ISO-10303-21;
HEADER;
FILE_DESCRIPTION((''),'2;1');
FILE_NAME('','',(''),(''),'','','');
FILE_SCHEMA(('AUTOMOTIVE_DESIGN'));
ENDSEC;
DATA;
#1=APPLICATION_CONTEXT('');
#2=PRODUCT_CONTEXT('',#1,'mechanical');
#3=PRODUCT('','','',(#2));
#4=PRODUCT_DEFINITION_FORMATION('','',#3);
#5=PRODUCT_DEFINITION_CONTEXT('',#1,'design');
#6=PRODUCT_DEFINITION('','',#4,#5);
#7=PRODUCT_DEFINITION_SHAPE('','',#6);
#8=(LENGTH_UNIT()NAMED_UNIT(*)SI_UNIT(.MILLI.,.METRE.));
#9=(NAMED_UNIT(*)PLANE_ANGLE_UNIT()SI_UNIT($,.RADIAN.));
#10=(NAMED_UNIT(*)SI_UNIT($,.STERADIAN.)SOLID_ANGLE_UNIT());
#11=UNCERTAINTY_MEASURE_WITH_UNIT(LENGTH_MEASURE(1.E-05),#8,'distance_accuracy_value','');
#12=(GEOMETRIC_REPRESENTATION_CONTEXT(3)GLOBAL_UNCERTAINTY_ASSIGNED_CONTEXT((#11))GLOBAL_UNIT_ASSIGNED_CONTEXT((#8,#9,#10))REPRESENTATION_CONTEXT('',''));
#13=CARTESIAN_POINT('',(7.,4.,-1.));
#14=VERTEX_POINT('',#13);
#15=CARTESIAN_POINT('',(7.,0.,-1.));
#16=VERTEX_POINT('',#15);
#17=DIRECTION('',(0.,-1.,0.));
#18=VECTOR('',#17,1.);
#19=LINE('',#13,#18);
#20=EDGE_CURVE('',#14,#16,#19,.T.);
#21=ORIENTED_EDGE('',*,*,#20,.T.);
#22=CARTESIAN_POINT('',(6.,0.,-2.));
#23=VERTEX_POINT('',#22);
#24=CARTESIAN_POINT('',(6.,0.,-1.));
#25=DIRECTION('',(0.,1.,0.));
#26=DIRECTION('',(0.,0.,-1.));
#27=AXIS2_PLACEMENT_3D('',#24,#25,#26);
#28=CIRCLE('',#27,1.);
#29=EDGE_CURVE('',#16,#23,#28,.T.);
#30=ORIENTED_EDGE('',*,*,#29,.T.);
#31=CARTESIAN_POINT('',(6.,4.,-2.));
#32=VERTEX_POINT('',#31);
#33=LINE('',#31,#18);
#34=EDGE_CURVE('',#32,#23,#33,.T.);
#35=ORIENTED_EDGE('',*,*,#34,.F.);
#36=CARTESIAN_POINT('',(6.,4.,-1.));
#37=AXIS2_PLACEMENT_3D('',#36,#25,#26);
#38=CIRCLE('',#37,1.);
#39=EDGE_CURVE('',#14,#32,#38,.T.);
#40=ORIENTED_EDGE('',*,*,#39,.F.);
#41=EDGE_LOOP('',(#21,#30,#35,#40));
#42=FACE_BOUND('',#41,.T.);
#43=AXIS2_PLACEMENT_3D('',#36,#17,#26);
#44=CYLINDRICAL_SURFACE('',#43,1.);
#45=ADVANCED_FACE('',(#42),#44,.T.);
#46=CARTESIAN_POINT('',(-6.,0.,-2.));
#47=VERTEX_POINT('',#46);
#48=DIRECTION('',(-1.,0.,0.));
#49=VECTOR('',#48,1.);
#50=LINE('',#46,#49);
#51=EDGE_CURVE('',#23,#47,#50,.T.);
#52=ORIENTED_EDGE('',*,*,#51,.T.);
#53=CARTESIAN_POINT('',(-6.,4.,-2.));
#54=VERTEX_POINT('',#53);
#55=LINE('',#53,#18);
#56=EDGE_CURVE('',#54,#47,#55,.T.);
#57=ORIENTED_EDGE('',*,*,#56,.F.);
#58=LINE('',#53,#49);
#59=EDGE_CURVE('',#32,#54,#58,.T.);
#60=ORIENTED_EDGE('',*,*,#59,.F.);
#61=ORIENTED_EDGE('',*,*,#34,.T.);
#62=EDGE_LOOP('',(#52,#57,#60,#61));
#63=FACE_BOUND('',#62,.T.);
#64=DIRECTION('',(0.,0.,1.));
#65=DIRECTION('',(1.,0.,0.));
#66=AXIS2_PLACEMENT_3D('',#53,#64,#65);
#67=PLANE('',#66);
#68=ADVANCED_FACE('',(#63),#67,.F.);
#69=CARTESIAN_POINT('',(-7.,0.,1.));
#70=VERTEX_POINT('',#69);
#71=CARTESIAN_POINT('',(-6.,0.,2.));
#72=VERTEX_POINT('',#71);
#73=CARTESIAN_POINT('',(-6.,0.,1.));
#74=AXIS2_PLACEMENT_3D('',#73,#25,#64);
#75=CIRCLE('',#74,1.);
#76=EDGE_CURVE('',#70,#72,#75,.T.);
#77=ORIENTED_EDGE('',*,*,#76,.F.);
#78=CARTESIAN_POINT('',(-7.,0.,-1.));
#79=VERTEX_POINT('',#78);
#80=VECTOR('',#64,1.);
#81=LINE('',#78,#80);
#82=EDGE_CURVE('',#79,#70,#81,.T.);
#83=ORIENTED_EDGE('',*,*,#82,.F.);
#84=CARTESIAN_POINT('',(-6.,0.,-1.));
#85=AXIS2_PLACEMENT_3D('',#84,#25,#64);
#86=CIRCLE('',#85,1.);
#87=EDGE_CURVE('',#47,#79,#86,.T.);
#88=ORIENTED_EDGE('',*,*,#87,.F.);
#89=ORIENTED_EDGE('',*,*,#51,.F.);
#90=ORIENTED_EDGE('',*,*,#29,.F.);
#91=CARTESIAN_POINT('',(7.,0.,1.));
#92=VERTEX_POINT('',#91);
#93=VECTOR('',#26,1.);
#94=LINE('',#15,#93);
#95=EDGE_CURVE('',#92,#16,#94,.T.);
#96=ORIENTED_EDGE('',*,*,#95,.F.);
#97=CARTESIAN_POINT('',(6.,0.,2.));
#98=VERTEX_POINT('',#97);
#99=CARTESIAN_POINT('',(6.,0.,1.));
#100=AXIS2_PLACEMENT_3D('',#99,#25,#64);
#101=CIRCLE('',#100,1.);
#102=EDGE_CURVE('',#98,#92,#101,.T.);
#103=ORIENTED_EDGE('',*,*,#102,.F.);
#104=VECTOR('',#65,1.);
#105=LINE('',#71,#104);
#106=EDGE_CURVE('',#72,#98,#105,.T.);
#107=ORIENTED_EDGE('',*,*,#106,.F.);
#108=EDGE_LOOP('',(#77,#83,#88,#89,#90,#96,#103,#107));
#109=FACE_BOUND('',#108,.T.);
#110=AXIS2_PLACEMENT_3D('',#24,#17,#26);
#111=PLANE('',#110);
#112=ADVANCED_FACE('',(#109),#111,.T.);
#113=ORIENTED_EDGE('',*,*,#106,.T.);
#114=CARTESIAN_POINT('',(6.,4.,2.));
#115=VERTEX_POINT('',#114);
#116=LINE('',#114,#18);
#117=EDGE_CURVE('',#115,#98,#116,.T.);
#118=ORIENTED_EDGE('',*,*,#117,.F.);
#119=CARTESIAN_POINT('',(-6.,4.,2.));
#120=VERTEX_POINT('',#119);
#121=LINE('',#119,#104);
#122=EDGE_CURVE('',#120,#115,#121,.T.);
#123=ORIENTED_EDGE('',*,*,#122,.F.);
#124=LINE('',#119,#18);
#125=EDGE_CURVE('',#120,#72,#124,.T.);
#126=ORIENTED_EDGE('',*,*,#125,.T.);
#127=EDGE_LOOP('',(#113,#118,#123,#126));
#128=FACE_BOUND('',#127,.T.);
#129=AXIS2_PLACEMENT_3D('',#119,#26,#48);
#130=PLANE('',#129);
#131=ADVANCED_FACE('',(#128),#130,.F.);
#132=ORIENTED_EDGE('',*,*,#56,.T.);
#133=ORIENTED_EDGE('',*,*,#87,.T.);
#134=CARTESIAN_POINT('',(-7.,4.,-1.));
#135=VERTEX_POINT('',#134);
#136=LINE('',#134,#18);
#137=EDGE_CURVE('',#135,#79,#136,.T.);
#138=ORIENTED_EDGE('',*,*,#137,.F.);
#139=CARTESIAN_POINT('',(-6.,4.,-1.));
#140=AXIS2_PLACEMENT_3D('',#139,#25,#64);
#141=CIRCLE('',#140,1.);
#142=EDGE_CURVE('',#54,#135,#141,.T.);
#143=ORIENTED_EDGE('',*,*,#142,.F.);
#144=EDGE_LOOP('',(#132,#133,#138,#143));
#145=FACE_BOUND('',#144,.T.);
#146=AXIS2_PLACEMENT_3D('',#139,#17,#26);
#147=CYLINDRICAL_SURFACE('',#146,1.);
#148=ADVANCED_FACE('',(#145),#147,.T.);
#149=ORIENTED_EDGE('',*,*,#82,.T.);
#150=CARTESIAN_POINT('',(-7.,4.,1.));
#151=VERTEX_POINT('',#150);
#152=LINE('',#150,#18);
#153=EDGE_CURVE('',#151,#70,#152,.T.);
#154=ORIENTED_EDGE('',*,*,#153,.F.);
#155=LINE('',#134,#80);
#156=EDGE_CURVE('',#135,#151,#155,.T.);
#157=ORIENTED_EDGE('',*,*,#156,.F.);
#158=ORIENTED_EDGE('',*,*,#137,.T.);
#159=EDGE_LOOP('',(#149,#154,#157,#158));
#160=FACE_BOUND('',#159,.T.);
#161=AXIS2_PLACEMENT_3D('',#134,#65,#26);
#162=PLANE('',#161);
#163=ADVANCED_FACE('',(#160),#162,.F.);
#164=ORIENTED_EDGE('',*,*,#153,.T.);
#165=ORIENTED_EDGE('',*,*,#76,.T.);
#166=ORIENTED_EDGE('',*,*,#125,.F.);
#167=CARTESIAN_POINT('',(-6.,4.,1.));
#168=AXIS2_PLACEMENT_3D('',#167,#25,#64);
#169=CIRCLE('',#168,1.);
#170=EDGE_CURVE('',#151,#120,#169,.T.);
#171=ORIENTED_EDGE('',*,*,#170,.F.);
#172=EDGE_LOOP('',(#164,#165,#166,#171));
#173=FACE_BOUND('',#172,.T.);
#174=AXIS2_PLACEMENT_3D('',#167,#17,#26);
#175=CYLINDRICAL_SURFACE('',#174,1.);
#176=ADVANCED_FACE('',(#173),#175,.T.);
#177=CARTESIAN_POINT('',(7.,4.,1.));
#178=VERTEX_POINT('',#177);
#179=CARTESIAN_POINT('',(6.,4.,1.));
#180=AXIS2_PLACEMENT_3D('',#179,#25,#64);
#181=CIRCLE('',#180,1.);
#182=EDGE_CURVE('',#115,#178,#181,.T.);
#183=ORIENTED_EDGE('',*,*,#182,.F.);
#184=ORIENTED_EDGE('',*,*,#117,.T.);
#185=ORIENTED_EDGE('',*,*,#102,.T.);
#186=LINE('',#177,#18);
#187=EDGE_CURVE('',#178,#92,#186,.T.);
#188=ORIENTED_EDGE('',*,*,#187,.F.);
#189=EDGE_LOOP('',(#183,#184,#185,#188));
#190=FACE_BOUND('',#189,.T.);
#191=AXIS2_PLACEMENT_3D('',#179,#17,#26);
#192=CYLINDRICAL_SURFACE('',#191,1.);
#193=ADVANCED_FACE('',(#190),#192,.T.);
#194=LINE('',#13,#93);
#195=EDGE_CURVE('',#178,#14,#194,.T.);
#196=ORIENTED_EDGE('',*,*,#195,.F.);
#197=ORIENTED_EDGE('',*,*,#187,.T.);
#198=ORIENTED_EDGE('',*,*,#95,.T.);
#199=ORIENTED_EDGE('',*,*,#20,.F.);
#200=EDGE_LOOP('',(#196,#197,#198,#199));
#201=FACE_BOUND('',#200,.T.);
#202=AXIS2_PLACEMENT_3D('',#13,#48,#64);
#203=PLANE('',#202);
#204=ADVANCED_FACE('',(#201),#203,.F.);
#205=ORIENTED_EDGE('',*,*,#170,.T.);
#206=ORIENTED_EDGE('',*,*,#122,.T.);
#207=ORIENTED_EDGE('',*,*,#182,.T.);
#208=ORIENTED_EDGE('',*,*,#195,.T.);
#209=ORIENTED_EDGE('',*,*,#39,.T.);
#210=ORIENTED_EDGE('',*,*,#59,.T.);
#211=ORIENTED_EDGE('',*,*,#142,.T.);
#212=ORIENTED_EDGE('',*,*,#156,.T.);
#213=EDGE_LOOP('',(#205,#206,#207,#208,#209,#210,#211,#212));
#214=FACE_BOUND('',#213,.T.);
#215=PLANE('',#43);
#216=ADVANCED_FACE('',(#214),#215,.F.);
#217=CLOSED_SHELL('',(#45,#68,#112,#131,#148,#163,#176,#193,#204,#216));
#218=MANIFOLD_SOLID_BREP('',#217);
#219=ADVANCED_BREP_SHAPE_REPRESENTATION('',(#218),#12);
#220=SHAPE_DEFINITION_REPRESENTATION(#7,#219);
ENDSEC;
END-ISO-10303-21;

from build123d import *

# Parameters (mm, degrees)
BOSS_EXTRUDE1_DEPTH = 4


with BuildPart() as part:
    # Sketch1 → Boss-Extrude1 (new body)
    with BuildSketch(Plane(origin=(0, 0, 0), x_dir=(1, 0, 0), z_dir=(0, 1, 0))):
        with BuildLine():
            Line((-6, 2), (6, 2))
            ThreePointArc((6, 2), (6.707106781, 1.707106781), (7, 1))
            Line((7, 1), (7, -1))
            ThreePointArc((7, -1), (6.707106781, -1.707106781), (6, -2))
            Line((6, -2), (-6, -2))
            ThreePointArc((-6, -2), (-6.707106781, -1.707106781), (-7, -1))
            Line((-7, -1), (-7, 1))
            ThreePointArc((-7, 1), (-6.707106781, 1.707106781), (-6, 2))
        make_face()
    extrude(amount=BOSS_EXTRUDE1_DEPTH)


solid = part.part
